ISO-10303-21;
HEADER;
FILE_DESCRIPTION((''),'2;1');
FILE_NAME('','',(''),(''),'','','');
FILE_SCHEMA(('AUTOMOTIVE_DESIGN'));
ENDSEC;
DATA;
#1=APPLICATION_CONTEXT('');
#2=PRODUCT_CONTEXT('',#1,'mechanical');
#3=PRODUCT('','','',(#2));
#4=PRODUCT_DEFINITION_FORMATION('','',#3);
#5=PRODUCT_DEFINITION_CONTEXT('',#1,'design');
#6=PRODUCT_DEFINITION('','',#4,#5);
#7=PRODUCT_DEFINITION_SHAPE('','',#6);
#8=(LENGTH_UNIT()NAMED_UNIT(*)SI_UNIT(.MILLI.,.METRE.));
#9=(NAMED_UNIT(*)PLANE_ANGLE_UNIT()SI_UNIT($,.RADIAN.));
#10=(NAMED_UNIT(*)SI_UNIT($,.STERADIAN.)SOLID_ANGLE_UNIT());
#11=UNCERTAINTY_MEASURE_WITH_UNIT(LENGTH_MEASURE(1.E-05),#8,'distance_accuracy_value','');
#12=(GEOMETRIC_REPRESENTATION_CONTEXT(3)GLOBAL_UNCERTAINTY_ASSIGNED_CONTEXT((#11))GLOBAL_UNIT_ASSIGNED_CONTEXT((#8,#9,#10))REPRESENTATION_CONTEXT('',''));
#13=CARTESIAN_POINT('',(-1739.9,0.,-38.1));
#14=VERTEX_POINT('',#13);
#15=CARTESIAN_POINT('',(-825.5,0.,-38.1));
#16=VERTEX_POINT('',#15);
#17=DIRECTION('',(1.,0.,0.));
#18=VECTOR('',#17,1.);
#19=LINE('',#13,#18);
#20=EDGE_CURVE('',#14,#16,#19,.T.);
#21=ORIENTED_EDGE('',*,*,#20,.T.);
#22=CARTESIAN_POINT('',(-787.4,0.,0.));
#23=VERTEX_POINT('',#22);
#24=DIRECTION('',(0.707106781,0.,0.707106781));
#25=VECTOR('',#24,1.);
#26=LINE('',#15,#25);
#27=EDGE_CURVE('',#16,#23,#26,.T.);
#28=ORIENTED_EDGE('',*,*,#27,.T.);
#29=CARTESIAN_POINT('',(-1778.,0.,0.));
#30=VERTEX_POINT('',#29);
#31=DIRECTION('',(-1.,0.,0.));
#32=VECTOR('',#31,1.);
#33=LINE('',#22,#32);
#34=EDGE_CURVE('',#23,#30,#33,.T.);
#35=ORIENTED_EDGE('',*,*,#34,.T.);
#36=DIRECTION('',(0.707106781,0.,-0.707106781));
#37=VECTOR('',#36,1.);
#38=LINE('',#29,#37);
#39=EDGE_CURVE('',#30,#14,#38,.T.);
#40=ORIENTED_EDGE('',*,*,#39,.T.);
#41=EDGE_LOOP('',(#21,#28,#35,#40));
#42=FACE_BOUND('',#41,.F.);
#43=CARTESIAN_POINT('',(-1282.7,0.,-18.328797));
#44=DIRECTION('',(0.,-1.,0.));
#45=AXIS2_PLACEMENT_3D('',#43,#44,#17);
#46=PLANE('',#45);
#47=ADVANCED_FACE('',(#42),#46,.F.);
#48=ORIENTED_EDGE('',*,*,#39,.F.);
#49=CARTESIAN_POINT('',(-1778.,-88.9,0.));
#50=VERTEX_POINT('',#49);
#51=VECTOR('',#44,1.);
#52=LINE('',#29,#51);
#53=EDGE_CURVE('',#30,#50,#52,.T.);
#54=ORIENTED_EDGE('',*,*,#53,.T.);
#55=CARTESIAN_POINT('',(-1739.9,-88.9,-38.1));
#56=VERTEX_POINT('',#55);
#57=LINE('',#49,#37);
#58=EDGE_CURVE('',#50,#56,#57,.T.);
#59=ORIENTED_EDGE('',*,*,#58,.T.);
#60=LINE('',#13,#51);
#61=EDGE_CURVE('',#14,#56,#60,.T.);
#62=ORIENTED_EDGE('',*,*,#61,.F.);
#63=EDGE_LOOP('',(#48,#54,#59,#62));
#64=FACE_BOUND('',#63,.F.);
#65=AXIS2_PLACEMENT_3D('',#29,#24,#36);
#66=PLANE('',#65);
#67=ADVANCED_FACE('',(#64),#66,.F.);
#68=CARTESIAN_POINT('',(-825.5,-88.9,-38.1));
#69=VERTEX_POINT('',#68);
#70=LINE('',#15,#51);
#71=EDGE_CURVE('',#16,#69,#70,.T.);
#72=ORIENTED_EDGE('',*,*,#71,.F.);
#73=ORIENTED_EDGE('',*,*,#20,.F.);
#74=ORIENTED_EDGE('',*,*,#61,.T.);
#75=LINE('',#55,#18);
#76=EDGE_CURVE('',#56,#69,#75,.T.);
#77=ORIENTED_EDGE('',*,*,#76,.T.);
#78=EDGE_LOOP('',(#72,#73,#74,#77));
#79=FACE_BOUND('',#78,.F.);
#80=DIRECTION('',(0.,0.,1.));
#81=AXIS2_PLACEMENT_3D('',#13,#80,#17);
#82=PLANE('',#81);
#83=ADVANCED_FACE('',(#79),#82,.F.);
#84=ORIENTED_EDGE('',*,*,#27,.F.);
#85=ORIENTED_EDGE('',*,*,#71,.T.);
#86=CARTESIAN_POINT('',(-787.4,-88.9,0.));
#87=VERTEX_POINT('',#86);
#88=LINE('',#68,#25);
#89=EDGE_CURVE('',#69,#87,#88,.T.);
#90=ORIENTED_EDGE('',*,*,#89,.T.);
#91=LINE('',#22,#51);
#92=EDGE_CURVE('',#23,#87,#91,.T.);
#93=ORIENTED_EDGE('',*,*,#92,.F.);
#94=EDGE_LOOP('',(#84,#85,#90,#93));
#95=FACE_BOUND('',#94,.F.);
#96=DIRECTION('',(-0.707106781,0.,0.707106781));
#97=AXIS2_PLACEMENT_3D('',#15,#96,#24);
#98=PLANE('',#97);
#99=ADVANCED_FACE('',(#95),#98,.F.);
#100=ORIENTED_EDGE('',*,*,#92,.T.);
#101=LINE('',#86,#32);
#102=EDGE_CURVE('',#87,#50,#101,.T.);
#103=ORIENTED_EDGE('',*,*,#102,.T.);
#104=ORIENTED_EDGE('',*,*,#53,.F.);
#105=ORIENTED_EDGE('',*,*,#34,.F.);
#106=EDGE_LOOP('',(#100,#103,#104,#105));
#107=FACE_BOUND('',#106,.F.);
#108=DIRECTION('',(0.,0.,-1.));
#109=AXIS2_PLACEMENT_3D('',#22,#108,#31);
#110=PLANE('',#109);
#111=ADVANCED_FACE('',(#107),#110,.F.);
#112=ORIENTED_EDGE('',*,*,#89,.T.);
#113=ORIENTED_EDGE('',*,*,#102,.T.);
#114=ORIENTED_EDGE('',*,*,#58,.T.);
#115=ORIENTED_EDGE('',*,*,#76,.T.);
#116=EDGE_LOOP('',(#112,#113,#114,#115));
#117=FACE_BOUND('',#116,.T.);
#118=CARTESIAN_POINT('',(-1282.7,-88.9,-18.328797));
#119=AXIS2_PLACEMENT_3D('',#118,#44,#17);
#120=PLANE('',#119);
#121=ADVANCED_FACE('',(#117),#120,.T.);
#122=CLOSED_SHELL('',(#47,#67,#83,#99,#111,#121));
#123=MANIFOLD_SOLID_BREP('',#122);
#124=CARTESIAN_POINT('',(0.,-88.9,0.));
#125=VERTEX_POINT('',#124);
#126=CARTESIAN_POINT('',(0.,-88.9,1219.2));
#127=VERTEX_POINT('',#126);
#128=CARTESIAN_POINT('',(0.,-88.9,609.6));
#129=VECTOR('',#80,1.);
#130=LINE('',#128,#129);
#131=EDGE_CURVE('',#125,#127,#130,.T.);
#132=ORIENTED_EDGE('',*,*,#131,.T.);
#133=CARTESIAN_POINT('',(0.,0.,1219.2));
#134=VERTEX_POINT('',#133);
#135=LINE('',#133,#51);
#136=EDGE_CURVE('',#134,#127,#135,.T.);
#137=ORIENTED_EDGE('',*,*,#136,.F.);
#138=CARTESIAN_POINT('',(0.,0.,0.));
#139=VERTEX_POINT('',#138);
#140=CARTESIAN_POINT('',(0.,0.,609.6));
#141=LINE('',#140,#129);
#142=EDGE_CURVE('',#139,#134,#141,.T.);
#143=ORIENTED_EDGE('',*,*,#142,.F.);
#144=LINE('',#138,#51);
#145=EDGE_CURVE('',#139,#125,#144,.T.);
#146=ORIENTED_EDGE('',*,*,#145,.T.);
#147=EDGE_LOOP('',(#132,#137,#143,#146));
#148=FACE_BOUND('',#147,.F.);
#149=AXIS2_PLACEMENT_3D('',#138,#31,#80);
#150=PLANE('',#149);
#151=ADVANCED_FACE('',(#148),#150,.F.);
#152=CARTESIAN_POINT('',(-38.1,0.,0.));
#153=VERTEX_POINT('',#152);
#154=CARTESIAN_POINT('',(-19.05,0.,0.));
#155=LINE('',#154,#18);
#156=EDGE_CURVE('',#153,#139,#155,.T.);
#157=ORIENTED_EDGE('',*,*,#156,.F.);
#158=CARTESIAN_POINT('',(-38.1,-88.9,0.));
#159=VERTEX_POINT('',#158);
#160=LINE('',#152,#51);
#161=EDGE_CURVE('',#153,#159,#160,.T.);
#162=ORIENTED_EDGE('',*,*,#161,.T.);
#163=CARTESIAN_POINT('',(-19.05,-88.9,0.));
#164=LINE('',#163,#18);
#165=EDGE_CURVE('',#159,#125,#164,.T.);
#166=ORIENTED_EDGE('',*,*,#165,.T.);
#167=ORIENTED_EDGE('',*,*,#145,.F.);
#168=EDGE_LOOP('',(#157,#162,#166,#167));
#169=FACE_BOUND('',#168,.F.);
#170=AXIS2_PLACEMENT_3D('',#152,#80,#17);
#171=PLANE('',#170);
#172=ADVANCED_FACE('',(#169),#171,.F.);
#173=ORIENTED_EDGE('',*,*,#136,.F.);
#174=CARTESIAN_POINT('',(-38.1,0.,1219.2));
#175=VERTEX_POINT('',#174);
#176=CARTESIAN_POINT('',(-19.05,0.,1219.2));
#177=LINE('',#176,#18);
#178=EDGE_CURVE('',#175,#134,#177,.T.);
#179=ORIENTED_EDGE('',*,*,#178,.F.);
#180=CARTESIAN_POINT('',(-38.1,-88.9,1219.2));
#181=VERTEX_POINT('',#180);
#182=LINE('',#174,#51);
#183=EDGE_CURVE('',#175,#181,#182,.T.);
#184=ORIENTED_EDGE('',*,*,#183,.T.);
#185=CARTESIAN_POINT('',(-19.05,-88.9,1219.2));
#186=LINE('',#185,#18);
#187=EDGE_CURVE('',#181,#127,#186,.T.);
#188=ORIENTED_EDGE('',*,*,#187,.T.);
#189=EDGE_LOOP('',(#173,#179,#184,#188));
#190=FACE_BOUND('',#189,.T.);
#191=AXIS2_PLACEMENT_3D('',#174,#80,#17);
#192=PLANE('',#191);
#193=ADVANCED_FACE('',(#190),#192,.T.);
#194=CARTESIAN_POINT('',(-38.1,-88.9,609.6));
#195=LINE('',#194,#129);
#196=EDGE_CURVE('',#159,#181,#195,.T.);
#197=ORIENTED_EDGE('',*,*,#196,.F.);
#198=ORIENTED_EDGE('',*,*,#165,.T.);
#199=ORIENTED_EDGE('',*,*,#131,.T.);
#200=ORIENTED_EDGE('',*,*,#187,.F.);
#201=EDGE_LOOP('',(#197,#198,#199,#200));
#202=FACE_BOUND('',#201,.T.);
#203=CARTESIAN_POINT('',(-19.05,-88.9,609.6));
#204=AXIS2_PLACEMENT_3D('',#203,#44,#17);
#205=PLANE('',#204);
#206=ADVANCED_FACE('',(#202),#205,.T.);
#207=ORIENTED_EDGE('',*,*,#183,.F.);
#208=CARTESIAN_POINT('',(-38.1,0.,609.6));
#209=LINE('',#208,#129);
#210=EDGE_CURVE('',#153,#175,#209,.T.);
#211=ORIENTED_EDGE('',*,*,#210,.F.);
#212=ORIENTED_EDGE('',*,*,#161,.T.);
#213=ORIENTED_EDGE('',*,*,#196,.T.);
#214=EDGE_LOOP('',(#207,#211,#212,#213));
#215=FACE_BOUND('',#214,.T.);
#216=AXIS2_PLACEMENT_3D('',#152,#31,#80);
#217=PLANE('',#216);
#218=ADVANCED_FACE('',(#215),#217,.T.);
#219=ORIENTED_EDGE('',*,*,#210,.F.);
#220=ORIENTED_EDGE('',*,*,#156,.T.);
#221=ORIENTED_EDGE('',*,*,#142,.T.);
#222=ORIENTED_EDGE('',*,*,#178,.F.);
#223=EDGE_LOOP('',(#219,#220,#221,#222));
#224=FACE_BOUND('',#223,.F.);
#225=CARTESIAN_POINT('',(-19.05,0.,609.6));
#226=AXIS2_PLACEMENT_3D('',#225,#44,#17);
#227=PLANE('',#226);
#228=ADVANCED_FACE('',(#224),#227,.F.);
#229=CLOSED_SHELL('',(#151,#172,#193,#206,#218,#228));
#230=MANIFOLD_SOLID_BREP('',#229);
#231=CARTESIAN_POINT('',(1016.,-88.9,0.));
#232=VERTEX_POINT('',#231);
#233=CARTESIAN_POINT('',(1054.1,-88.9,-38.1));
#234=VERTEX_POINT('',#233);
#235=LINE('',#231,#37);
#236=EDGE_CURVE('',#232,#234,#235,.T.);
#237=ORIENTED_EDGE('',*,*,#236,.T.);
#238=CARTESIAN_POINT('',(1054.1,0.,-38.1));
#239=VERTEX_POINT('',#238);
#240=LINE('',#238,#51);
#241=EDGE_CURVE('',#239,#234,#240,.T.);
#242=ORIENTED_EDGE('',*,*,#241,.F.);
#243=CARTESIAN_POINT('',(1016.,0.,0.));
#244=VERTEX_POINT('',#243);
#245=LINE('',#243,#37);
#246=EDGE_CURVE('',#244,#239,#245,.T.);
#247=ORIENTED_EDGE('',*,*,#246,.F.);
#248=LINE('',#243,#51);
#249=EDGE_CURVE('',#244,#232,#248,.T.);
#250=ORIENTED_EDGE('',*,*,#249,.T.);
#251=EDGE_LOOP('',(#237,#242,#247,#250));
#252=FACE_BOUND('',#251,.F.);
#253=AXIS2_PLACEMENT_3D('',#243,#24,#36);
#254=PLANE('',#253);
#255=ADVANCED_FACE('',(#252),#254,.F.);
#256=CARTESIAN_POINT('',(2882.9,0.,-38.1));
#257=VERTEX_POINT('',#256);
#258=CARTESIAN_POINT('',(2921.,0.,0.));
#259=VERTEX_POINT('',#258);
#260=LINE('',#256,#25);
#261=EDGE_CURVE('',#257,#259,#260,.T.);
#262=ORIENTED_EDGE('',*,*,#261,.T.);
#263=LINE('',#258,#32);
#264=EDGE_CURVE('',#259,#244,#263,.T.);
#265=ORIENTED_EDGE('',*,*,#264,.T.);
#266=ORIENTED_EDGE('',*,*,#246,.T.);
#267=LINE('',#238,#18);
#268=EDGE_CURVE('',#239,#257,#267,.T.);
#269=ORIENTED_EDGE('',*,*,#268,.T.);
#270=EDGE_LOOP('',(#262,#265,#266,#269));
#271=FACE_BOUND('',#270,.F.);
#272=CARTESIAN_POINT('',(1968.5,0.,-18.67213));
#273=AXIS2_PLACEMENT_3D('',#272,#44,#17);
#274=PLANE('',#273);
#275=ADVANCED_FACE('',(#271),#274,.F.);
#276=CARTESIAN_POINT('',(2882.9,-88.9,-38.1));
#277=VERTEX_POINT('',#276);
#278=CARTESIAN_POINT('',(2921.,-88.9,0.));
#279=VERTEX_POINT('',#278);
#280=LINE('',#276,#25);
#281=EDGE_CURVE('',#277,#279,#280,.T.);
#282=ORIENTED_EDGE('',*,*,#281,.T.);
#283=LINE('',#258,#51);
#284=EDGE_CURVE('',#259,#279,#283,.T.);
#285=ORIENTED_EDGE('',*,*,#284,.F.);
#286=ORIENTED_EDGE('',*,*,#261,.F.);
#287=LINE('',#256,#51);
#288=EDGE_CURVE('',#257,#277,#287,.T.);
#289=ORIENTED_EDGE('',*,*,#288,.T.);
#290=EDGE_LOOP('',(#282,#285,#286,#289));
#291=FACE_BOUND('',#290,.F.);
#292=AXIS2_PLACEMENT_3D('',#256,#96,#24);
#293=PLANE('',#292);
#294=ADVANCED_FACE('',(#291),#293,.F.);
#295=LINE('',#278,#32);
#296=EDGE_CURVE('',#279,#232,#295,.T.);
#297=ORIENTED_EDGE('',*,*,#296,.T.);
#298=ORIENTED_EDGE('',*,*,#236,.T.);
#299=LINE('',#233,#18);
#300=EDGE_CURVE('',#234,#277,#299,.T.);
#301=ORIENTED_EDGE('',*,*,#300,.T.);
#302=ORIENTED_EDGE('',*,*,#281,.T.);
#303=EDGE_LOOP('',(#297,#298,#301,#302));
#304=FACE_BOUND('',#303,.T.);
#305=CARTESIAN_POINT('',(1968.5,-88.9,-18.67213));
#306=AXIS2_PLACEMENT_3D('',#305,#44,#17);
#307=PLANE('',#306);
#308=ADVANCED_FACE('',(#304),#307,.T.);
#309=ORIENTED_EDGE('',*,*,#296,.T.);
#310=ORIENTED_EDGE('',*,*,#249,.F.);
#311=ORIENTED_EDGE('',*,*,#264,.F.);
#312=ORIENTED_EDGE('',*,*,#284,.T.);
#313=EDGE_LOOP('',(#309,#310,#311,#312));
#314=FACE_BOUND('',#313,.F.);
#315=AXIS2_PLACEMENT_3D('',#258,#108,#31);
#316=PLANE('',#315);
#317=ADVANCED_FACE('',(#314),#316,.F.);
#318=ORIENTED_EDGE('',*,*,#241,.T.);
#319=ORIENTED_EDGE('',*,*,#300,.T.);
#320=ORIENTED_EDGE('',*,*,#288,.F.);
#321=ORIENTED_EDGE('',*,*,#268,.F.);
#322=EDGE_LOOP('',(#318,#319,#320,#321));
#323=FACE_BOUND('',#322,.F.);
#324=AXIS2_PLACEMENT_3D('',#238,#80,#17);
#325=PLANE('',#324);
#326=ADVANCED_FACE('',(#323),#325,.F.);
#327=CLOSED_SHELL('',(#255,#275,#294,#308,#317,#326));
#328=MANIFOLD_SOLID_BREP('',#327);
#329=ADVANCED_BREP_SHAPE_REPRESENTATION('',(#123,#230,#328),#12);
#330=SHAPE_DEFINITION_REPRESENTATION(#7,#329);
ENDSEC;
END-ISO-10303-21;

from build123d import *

# Parameters (mm, degrees)
F1_DEPTH = 88.9
F2_W     = 38.1
F2_H     = 1219.2
F3_DEPTH = 88.9
F5_DEPTH = 88.9


with BuildPart() as f1:
    # F0 (on Front) → F1 (new body)
    with BuildSketch(Plane.XZ):
        Polygon((-787.4, 0), (-1778, 0), (-1739.9, -38.1), (-825.5, -38.1), align=None)
    extrude(amount=F1_DEPTH)


with BuildPart() as f3:
    # F2 (on Front) → F3 (new body)
    with BuildSketch(Plane.XZ):
        with Locations((-19.05, 609.6)):
            Rectangle(F2_W, F2_H)
    extrude(amount=F3_DEPTH)


with BuildPart() as f5:
    # F4 (on Front) → F5 (new body)
    with BuildSketch(Plane.XZ):
        Polygon((2921, 0), (1016, 0), (1054.1, -38.1), (2882.9, -38.1), align=None)
    extrude(amount=F5_DEPTH)


solid = Compound([f1.part, f3.part, f5.part])
